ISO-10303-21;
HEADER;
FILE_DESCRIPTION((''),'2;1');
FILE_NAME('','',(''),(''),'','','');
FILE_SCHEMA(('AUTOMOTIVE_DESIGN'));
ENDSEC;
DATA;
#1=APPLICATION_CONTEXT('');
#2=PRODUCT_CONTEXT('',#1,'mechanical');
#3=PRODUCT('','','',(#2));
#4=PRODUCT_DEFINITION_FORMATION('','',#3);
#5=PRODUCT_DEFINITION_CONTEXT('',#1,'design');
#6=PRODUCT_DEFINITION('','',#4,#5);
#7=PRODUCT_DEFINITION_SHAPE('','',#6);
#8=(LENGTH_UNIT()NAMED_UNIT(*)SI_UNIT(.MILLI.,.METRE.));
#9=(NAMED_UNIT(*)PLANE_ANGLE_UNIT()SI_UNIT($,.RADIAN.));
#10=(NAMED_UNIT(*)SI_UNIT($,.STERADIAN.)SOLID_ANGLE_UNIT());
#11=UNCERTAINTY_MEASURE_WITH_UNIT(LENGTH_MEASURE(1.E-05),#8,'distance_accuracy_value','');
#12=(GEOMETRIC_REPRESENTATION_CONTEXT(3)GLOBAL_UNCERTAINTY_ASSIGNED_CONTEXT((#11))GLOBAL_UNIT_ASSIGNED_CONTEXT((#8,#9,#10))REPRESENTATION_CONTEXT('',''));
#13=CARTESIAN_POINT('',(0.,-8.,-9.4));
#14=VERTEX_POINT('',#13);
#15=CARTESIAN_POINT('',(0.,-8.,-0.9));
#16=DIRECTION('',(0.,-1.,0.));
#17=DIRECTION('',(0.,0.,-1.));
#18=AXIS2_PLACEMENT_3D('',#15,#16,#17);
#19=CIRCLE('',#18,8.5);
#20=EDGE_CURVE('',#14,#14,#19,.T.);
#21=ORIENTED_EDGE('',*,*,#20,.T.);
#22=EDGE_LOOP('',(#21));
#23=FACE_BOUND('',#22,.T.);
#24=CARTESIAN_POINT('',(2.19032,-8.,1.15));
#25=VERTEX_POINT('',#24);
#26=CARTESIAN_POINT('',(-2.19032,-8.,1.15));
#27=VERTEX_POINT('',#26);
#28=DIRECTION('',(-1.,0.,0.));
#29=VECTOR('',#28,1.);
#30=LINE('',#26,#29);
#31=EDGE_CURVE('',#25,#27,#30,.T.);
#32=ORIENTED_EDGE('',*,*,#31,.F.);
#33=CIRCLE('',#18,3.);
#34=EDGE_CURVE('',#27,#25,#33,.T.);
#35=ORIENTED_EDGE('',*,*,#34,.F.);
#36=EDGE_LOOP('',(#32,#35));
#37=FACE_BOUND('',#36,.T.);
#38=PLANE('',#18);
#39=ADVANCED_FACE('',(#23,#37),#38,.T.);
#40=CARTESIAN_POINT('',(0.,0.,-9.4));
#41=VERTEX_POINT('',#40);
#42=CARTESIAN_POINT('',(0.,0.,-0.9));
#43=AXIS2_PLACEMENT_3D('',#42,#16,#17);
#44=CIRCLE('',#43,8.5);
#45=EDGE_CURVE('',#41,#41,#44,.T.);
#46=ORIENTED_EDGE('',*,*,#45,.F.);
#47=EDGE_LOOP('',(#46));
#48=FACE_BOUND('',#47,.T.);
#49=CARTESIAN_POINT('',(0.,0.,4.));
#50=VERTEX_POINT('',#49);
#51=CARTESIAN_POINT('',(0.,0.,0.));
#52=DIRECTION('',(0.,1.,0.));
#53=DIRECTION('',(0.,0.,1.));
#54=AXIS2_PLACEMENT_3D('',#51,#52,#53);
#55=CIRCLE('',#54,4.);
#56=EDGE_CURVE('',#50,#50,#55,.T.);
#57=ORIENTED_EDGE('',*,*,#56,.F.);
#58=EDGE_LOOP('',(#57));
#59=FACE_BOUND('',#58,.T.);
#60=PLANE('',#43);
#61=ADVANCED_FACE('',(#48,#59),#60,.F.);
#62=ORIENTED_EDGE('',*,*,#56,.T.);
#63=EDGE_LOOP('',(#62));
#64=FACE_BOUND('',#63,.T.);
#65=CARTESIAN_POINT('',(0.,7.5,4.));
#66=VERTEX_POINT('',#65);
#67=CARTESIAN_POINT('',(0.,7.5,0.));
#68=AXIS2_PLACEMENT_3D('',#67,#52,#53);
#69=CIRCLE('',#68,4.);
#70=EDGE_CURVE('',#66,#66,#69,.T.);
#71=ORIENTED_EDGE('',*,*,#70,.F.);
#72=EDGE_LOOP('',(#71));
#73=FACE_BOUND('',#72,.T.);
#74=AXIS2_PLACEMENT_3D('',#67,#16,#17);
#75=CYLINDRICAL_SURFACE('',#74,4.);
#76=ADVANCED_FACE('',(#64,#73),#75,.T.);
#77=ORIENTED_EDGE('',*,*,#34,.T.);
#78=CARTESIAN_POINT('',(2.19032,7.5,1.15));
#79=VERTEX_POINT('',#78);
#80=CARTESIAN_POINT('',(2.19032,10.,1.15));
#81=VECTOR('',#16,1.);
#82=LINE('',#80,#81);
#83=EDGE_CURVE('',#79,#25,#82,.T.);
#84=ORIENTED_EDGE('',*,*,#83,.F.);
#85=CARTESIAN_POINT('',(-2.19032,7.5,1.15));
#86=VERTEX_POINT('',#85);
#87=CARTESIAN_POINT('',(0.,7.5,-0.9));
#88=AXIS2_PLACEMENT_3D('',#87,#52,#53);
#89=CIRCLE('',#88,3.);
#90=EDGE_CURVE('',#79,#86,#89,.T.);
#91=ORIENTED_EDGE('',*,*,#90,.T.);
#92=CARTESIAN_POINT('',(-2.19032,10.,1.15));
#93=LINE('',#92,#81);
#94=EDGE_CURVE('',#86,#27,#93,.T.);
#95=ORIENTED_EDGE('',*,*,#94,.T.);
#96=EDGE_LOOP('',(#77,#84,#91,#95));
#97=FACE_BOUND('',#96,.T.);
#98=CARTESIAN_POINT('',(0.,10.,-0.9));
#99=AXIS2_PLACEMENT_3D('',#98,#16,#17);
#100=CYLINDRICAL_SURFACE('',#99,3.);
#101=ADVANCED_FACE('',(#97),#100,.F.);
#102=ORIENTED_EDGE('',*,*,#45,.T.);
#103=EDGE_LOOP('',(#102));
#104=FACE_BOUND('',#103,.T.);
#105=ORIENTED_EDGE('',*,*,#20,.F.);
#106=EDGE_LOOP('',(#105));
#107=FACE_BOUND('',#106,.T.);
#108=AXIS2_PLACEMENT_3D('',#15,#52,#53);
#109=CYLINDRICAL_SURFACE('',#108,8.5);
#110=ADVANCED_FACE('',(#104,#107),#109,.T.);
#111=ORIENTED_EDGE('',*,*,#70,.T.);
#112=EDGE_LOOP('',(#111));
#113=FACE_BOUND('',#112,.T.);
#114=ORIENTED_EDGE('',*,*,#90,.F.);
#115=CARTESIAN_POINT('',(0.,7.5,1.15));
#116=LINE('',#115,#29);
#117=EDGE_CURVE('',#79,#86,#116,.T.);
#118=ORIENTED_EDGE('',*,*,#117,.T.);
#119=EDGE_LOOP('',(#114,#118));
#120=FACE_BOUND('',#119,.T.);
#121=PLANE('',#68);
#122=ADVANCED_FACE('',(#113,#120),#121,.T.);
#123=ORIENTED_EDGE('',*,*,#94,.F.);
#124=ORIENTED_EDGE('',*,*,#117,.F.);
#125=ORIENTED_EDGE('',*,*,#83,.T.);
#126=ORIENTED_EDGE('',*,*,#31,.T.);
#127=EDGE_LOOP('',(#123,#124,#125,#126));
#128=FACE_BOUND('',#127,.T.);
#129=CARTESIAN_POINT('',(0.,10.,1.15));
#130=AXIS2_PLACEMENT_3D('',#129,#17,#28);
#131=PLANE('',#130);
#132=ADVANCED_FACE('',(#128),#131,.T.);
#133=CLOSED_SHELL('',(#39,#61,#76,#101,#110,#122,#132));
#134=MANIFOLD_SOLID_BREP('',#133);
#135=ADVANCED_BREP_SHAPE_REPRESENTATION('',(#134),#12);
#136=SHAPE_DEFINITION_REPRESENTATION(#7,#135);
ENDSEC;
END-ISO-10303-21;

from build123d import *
from build123d.topology import SkipClean

# Parameters (mm, degrees)
SKETCH1_R           = 4
BOSS_EXTRUDE1_DEPTH = 7.5
CUT_EXTRUDE2_DEPTH  = 10
BOSS_EXTRUDE3_START = 8
SKETCH4_R           = 8.5
BOSS_EXTRUDE3_DEPTH = 8


with BuildPart() as part:
    # Sketch1 → Boss-Extrude1 (new body)
    with BuildSketch(Plane(origin=(0, 0, 0), x_dir=(1, 0, 0), z_dir=(0, 1, 0))):
        with Locations(Location((0, 0, 0), (0, 0, 270))):
            Circle(SKETCH1_R)
    extrude(amount=BOSS_EXTRUDE1_DEPTH)

    # Sketch2 → Cut-Extrude2 (cut)
    with BuildSketch(Plane(origin=(0, 0, 0), x_dir=(-1, 0, 0), z_dir=(0, -1, 0))):
        with BuildLine():
            Line((-2.190319611, -1.15), (2.190319611, -1.15))
            ThreePointArc((2.190319611, -1.15), (2.790247196, -0.202052895), (3, 0.9))
            ThreePointArc((3, 0.9), (-1.102052895, 3.690247196), (-2.190319611, -1.15))
        make_face()
    extrude(amount=-CUT_EXTRUDE2_DEPTH, mode=Mode.SUBTRACT)

    # Sketch4 → Boss-Extrude3 (add)
    with SkipClean():  # the faces are left unmerged after this step: merging them gives an invalid solid
        with BuildSketch(Plane(origin=(0, 0, 0), x_dir=(-1, 0, 0), z_dir=(0, -1, 0)).offset(BOSS_EXTRUDE3_START)):
            with Locations(Location((0, 0.9, 0), (0, 0, 90))):
                Circle(SKETCH4_R)
            with BuildLine():
                Line((2.190319611, -1.15), (-2.190319611, -1.15))
                ThreePointArc((-2.190319611, -1.15), (0, 3.9), (2.190319611, -1.15))
            make_face(mode=Mode.SUBTRACT)
        extrude(amount=-BOSS_EXTRUDE3_DEPTH)


solid = part.part
